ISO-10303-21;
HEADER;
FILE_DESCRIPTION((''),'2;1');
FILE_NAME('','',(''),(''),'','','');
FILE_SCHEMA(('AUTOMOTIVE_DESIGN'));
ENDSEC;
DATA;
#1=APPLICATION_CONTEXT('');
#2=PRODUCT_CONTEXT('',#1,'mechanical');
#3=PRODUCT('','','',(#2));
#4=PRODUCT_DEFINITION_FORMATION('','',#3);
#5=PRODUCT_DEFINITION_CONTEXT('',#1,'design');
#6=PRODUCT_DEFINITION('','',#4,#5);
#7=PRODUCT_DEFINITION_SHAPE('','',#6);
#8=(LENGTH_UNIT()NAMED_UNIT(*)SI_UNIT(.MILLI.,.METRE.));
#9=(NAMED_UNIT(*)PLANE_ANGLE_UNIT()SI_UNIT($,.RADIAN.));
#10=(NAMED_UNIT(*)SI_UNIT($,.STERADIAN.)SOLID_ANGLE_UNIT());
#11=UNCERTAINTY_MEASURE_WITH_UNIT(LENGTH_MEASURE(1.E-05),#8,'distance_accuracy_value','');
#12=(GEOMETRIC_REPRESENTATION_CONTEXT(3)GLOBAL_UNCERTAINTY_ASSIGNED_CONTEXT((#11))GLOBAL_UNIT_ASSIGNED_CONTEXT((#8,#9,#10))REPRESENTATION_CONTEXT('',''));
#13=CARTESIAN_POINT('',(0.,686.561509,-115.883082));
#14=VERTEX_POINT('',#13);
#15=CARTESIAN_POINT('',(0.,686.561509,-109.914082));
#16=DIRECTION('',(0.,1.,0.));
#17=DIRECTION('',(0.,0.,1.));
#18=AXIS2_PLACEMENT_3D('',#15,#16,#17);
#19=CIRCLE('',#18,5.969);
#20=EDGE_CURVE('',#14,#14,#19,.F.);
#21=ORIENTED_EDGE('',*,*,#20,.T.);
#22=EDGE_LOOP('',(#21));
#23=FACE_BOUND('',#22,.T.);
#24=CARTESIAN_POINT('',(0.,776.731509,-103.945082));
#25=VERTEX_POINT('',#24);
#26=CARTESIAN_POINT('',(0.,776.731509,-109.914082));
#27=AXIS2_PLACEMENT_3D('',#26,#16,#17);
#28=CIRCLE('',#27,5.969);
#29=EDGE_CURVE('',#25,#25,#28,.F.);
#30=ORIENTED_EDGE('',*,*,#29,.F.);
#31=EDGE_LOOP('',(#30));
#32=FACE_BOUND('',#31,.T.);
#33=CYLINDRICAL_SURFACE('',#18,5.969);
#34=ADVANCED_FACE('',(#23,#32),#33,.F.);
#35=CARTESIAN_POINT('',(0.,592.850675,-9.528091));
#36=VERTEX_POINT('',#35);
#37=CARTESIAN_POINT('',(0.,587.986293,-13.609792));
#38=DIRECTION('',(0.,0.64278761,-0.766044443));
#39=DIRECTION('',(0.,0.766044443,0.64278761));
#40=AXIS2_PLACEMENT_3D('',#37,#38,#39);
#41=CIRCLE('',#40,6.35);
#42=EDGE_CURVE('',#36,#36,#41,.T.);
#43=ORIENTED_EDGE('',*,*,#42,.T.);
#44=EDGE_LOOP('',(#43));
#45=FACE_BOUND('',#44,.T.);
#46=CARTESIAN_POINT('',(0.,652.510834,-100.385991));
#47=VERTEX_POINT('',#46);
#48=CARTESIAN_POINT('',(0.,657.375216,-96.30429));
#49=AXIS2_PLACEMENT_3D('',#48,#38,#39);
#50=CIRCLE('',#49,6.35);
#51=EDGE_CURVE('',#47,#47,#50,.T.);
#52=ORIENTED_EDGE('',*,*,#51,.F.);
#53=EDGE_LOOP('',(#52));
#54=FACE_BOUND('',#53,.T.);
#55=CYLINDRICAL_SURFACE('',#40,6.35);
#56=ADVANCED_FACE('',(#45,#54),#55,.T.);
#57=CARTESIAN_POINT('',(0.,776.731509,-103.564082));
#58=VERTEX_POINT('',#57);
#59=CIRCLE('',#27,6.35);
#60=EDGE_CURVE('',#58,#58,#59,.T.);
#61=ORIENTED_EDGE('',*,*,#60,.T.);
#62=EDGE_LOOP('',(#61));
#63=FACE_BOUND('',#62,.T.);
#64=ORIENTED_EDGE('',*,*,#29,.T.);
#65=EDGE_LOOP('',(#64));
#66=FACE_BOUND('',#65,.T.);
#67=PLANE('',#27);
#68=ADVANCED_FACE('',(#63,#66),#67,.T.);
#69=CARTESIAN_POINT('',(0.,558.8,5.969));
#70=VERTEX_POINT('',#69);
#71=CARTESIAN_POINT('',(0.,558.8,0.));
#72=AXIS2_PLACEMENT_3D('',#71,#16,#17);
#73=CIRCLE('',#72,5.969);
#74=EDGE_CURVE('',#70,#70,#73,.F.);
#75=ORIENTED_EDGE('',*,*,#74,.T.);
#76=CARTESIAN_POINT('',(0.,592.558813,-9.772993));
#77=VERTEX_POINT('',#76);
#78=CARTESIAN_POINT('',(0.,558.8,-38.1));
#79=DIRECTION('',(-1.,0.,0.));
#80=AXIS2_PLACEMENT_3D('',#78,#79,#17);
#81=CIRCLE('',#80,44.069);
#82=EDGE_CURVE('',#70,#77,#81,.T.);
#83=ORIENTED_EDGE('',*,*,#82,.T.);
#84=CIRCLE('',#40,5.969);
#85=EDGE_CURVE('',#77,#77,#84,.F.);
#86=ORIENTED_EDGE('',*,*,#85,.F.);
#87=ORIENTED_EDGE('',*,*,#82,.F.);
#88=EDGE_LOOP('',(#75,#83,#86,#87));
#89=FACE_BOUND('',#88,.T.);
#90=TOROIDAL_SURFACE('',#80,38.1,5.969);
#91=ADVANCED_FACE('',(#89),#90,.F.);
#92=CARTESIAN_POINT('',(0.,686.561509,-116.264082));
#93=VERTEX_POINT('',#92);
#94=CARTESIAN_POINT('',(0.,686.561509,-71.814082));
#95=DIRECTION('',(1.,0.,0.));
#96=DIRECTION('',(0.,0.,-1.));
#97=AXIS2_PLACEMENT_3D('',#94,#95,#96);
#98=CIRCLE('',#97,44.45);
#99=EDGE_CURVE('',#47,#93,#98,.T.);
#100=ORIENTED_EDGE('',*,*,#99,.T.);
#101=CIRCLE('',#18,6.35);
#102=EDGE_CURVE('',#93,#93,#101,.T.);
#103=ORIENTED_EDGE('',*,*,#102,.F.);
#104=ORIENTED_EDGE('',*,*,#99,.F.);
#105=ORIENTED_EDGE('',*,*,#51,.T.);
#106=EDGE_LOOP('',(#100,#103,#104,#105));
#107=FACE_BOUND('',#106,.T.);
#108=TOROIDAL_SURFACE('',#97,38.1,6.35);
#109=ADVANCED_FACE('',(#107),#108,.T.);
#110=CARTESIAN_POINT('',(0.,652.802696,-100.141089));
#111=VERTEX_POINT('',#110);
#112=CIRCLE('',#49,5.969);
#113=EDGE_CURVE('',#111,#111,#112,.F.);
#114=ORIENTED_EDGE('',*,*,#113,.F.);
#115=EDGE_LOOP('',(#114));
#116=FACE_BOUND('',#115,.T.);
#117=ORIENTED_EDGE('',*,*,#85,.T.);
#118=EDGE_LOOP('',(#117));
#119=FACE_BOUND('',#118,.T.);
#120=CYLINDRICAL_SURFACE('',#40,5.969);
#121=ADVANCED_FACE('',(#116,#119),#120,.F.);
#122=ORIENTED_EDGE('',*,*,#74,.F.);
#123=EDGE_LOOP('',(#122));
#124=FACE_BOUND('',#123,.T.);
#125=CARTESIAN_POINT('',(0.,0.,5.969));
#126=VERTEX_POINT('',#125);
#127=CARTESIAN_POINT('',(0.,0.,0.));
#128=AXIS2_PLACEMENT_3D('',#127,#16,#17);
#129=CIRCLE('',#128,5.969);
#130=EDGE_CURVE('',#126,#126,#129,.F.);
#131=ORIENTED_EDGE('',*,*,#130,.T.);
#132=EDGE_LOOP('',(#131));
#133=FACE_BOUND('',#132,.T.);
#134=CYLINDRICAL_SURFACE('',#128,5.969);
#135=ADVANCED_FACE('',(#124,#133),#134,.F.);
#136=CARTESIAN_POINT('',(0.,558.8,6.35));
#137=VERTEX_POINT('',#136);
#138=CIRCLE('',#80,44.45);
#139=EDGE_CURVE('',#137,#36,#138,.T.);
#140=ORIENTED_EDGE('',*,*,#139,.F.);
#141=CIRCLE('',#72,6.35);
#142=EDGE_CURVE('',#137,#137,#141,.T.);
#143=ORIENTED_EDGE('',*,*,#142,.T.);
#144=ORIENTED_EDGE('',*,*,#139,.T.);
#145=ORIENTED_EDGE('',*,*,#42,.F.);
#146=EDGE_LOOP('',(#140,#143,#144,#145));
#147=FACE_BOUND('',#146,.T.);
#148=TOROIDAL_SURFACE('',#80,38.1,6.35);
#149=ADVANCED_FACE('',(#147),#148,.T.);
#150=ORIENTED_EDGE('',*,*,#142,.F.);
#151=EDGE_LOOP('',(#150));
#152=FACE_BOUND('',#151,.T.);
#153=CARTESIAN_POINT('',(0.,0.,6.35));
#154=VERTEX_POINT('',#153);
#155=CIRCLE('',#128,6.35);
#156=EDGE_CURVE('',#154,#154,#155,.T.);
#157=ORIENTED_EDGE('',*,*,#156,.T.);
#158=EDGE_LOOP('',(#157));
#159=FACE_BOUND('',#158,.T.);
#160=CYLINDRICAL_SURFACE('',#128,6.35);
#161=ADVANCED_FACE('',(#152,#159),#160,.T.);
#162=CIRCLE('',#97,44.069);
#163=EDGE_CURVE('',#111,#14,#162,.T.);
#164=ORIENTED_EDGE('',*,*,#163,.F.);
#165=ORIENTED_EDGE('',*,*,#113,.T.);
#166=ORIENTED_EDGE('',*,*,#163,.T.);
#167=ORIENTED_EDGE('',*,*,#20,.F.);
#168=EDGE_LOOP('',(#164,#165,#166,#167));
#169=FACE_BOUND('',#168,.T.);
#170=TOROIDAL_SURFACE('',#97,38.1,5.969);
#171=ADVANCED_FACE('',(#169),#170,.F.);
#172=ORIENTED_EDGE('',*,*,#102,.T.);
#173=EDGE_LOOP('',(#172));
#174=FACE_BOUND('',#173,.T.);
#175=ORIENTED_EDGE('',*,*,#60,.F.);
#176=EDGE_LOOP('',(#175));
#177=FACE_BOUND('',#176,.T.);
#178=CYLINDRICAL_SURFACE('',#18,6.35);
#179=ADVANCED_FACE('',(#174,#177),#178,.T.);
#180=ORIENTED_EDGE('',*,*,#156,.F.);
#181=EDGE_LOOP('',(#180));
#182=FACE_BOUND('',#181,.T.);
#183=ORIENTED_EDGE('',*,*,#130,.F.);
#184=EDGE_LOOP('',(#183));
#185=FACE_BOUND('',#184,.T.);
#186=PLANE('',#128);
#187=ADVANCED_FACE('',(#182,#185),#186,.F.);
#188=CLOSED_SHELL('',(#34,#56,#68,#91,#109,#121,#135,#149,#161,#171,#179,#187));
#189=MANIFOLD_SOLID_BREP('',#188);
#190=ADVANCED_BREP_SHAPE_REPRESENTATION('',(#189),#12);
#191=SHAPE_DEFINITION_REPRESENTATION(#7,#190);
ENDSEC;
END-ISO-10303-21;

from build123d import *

# Parameters (mm, degrees)
SKETCH1_R   = 6.35
SKETCH1_R_2 = 5.969


with BuildPart() as part:
    # Sweep2: sweep along a path in Sketch2
    with BuildLine(Plane(origin=(0, 0, 0), x_dir=(0, 0, -1), z_dir=(1, 0, 0))) as sweep2_path:
        Line((0, 0), (0, 558.8))
        ThreePointArc((0, 558.8), (3.569673314, 574.901755772), (13.609792071, 587.986293283))
        Line((13.609792071, 587.986293283), (96.304289706, 657.375215748))
        ThreePointArc((96.304289706, 657.375215748), (106.344408463, 670.459753259), (109.914081777, 686.561509031))
        Line((109.914081777, 686.561509031), (109.914081777, 776.731509031))
    # Sketch1 → Sweep2 (sweep)
    with BuildSketch(Plane(origin=(0, 0, 0), x_dir=(1, 0, 0), z_dir=(0, 1, 0))):
        Circle(SKETCH1_R)
        Circle(SKETCH1_R_2, mode=Mode.SUBTRACT)
    sweep(path=sweep2_path.line)


solid = part.part
